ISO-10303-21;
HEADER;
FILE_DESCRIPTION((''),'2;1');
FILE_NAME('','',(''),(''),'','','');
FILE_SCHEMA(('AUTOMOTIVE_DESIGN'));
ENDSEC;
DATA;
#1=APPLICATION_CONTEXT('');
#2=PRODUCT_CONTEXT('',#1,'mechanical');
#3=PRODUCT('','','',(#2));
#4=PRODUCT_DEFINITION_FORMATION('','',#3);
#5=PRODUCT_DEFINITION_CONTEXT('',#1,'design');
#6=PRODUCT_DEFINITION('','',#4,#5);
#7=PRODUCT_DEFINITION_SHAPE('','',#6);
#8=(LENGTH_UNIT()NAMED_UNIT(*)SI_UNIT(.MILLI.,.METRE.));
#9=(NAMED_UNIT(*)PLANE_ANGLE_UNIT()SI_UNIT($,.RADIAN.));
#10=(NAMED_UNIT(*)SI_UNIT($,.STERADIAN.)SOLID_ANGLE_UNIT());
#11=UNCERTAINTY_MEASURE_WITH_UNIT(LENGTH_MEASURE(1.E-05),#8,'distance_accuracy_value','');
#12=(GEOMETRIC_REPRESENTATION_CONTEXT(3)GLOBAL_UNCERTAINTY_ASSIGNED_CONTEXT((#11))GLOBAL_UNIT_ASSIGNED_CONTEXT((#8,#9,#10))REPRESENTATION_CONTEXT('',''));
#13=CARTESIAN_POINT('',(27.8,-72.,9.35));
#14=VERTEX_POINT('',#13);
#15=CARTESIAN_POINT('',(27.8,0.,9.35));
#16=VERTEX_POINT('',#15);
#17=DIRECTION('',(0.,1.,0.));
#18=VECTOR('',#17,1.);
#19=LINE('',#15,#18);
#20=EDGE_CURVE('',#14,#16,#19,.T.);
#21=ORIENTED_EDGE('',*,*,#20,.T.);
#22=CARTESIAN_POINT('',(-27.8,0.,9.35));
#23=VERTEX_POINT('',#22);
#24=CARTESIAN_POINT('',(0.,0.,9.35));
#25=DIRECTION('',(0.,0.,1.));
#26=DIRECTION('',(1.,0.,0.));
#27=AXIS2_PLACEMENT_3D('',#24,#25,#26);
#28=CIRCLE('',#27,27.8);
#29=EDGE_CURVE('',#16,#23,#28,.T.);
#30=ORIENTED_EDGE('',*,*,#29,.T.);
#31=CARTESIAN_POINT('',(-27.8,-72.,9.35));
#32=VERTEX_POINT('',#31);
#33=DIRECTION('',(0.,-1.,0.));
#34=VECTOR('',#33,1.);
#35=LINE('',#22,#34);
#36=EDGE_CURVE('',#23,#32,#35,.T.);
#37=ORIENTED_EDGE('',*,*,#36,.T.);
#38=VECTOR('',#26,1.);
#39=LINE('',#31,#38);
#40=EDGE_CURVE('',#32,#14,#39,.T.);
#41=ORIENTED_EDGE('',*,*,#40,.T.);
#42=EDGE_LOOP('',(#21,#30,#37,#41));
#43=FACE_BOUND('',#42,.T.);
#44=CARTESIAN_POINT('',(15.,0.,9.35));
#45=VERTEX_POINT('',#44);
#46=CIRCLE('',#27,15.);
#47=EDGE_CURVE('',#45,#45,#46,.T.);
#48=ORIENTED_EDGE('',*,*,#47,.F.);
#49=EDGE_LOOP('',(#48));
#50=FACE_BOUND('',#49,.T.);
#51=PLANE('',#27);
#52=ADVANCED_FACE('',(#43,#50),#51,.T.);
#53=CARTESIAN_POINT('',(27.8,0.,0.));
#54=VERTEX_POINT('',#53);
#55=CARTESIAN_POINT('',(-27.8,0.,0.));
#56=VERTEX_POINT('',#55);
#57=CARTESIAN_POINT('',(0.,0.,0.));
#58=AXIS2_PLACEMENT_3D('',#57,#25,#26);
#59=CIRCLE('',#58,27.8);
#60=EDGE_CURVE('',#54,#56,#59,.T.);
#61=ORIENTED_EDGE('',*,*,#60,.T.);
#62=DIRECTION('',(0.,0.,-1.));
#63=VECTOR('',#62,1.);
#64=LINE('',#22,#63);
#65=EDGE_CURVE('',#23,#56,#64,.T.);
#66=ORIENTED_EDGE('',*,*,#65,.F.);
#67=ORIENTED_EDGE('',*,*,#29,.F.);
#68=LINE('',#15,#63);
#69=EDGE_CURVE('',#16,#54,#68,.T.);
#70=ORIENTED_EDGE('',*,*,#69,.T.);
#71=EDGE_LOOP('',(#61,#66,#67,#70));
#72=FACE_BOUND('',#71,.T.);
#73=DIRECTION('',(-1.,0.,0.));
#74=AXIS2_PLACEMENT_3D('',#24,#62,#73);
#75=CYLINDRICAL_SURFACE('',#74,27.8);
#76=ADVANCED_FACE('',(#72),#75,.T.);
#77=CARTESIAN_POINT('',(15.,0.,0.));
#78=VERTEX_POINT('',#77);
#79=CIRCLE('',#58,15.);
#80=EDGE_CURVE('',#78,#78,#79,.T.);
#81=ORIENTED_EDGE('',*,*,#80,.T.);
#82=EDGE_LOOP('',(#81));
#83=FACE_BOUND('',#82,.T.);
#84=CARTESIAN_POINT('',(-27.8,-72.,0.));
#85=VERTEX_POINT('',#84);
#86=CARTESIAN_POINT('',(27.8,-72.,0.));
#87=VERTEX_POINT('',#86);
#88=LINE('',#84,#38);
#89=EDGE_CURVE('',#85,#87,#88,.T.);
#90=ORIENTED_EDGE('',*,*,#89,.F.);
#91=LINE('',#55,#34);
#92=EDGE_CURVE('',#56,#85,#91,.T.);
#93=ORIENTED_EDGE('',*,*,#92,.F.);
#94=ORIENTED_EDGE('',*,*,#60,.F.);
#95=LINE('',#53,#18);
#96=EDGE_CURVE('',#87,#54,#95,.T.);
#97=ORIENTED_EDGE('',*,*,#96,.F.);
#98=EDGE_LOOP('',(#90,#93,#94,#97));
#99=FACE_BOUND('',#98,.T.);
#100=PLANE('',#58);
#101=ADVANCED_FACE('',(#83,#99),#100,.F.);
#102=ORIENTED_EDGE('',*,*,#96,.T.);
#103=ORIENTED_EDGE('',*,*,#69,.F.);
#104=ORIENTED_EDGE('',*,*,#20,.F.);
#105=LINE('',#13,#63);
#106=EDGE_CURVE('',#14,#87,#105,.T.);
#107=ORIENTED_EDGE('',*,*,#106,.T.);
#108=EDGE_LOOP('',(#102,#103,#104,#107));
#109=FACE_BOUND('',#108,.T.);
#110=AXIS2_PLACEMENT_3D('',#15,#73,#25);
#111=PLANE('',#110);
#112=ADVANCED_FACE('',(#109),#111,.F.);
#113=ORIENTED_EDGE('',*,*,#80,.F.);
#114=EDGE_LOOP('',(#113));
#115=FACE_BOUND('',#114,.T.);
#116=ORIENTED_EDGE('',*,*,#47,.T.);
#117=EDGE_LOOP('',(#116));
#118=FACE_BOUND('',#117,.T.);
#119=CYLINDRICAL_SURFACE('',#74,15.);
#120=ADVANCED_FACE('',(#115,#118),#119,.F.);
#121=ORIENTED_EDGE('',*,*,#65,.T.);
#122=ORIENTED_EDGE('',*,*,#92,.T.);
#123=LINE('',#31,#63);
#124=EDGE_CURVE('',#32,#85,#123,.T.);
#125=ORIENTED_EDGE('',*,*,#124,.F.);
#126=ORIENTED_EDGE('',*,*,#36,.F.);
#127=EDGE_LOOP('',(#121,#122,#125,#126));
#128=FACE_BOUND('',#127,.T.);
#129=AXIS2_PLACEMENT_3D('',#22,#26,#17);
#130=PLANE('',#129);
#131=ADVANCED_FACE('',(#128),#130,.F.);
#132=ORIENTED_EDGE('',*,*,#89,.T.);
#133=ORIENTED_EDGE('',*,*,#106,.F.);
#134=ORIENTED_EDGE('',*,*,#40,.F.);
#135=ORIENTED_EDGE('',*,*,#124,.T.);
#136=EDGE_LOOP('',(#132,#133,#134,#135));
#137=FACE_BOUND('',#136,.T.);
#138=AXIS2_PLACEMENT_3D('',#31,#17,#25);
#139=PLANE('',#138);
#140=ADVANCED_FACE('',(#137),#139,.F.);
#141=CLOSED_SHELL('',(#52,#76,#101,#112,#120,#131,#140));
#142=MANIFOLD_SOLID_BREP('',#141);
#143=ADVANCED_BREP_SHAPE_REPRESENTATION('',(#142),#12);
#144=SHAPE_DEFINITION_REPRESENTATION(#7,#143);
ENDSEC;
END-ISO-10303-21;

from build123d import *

# Parameters (mm, degrees)
SKETCH1_R           = 15
BOSS_EXTRUDE1_DEPTH = 9.35


with BuildPart() as part:
    # Sketch1 → Boss-Extrude1 (new body)
    with BuildSketch(Plane.XY):
        with BuildLine():
            Line((-27.8, 0), (-27.8, -72))
            Line((-27.8, -72), (27.8, -72))
            Line((27.8, -72), (27.8, 0))
            ThreePointArc((27.8, 0), (0, 27.8), (-27.8, 0))
        make_face()
        Circle(SKETCH1_R, mode=Mode.SUBTRACT)
    extrude(amount=BOSS_EXTRUDE1_DEPTH)


solid = part.part
